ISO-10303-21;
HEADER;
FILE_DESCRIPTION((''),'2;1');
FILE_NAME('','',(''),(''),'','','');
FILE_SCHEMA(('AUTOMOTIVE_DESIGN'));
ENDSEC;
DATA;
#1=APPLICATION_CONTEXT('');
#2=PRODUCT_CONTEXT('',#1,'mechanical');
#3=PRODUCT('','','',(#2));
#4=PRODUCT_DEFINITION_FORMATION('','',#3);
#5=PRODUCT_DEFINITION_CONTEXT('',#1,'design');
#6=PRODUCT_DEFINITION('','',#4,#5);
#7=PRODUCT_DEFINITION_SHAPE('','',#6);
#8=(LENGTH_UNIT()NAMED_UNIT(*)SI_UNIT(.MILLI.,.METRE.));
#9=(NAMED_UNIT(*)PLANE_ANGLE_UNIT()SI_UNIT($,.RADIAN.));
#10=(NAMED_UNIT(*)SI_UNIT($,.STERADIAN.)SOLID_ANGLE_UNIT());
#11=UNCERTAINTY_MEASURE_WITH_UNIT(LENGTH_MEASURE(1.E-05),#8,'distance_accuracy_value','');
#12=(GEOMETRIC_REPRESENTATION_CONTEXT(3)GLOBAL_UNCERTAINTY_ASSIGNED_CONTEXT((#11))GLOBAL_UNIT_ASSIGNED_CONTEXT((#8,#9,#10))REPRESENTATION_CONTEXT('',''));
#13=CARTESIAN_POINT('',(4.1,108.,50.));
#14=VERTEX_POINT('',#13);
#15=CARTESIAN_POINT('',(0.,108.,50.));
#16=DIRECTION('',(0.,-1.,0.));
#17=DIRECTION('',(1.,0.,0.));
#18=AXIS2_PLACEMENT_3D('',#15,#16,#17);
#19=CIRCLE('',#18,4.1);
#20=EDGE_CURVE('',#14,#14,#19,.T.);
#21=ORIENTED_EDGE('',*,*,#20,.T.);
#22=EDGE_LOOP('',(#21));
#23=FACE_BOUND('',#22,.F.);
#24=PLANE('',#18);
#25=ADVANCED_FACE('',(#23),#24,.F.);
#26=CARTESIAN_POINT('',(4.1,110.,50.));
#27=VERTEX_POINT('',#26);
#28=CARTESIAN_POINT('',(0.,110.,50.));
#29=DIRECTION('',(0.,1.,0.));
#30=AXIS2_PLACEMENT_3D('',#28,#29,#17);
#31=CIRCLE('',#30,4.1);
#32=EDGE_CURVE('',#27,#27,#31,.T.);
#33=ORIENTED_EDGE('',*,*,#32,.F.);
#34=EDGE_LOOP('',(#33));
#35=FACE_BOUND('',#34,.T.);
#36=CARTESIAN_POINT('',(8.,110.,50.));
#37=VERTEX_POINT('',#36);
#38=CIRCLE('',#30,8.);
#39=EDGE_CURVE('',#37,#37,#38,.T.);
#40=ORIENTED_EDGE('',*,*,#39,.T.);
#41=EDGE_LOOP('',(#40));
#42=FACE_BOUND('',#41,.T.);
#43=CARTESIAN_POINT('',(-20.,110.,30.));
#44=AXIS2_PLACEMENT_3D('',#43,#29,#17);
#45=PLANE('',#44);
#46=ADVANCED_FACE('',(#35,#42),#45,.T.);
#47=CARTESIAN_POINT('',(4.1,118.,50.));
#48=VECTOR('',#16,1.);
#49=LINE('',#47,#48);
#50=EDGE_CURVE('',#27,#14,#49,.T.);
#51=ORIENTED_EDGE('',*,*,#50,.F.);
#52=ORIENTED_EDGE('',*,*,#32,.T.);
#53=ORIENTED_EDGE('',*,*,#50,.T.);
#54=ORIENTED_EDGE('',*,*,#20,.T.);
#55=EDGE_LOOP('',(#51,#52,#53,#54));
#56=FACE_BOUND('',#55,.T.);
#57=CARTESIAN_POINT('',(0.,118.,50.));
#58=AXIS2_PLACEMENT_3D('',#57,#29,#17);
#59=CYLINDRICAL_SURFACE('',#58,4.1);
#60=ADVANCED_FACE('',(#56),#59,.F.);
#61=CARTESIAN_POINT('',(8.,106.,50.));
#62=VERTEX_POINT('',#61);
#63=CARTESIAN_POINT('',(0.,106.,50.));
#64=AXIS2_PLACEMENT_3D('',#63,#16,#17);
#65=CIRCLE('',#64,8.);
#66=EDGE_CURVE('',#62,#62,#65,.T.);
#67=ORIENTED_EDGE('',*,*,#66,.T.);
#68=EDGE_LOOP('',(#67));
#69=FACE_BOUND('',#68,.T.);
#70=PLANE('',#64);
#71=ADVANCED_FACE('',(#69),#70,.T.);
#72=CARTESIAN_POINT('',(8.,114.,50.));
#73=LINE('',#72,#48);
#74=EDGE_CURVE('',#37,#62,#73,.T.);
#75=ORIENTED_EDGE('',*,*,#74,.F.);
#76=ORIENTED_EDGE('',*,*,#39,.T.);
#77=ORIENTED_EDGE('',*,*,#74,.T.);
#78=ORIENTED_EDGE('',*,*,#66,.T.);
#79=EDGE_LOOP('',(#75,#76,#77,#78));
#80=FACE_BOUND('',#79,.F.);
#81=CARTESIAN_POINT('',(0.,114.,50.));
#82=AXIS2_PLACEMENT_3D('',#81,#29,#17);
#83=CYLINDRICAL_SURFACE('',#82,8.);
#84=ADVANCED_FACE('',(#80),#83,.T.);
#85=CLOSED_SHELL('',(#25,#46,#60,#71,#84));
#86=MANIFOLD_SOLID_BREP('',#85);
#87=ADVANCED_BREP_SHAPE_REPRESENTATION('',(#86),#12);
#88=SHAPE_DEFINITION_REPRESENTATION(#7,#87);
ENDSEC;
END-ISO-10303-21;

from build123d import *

# Parameters (mm, degrees)
BOX252_W          = 40
BOX252_H          = 20
BOX252_DEPTH      = 40
CYLINDER650_R     = 4.1
CYLINDER650_DEPTH = 10
CYLINDER649_R     = 8
CYLINDER649_DEPTH = 8


with BuildPart() as krychle252:
    # Box252 → Box252 (new body)
    with BuildSketch(Plane(origin=(-20, 110, 30), x_dir=(1, 0, 0), z_dir=(0, 0, 1))):
        with Locations((20, 10)):
            Rectangle(BOX252_W, BOX252_H)
    extrude(amount=BOX252_DEPTH)


with BuildPart() as v_lec650:
    # Cylinder650 → Cylinder650 (new body)
    with BuildSketch(Plane(origin=(0, 118, 50), x_dir=(1, 0, 0), z_dir=(0, -1, 0))):
        Circle(CYLINDER650_R)
    extrude(amount=CYLINDER650_DEPTH)


with BuildPart() as cut260:
    # Cylinder649 → Cylinder649 (new body)
    with BuildSketch(Plane(origin=(0, 114, 50), x_dir=(1, 0, 0), z_dir=(0, -1, 0))):
        Circle(CYLINDER649_R)
    extrude(amount=CYLINDER649_DEPTH)

    # Cut255: cut Válec650
    add(v_lec650.part, mode=Mode.SUBTRACT)

    # Cut260: cut Krychle252
    add(krychle252.part, mode=Mode.SUBTRACT)


solid = cut260.part
